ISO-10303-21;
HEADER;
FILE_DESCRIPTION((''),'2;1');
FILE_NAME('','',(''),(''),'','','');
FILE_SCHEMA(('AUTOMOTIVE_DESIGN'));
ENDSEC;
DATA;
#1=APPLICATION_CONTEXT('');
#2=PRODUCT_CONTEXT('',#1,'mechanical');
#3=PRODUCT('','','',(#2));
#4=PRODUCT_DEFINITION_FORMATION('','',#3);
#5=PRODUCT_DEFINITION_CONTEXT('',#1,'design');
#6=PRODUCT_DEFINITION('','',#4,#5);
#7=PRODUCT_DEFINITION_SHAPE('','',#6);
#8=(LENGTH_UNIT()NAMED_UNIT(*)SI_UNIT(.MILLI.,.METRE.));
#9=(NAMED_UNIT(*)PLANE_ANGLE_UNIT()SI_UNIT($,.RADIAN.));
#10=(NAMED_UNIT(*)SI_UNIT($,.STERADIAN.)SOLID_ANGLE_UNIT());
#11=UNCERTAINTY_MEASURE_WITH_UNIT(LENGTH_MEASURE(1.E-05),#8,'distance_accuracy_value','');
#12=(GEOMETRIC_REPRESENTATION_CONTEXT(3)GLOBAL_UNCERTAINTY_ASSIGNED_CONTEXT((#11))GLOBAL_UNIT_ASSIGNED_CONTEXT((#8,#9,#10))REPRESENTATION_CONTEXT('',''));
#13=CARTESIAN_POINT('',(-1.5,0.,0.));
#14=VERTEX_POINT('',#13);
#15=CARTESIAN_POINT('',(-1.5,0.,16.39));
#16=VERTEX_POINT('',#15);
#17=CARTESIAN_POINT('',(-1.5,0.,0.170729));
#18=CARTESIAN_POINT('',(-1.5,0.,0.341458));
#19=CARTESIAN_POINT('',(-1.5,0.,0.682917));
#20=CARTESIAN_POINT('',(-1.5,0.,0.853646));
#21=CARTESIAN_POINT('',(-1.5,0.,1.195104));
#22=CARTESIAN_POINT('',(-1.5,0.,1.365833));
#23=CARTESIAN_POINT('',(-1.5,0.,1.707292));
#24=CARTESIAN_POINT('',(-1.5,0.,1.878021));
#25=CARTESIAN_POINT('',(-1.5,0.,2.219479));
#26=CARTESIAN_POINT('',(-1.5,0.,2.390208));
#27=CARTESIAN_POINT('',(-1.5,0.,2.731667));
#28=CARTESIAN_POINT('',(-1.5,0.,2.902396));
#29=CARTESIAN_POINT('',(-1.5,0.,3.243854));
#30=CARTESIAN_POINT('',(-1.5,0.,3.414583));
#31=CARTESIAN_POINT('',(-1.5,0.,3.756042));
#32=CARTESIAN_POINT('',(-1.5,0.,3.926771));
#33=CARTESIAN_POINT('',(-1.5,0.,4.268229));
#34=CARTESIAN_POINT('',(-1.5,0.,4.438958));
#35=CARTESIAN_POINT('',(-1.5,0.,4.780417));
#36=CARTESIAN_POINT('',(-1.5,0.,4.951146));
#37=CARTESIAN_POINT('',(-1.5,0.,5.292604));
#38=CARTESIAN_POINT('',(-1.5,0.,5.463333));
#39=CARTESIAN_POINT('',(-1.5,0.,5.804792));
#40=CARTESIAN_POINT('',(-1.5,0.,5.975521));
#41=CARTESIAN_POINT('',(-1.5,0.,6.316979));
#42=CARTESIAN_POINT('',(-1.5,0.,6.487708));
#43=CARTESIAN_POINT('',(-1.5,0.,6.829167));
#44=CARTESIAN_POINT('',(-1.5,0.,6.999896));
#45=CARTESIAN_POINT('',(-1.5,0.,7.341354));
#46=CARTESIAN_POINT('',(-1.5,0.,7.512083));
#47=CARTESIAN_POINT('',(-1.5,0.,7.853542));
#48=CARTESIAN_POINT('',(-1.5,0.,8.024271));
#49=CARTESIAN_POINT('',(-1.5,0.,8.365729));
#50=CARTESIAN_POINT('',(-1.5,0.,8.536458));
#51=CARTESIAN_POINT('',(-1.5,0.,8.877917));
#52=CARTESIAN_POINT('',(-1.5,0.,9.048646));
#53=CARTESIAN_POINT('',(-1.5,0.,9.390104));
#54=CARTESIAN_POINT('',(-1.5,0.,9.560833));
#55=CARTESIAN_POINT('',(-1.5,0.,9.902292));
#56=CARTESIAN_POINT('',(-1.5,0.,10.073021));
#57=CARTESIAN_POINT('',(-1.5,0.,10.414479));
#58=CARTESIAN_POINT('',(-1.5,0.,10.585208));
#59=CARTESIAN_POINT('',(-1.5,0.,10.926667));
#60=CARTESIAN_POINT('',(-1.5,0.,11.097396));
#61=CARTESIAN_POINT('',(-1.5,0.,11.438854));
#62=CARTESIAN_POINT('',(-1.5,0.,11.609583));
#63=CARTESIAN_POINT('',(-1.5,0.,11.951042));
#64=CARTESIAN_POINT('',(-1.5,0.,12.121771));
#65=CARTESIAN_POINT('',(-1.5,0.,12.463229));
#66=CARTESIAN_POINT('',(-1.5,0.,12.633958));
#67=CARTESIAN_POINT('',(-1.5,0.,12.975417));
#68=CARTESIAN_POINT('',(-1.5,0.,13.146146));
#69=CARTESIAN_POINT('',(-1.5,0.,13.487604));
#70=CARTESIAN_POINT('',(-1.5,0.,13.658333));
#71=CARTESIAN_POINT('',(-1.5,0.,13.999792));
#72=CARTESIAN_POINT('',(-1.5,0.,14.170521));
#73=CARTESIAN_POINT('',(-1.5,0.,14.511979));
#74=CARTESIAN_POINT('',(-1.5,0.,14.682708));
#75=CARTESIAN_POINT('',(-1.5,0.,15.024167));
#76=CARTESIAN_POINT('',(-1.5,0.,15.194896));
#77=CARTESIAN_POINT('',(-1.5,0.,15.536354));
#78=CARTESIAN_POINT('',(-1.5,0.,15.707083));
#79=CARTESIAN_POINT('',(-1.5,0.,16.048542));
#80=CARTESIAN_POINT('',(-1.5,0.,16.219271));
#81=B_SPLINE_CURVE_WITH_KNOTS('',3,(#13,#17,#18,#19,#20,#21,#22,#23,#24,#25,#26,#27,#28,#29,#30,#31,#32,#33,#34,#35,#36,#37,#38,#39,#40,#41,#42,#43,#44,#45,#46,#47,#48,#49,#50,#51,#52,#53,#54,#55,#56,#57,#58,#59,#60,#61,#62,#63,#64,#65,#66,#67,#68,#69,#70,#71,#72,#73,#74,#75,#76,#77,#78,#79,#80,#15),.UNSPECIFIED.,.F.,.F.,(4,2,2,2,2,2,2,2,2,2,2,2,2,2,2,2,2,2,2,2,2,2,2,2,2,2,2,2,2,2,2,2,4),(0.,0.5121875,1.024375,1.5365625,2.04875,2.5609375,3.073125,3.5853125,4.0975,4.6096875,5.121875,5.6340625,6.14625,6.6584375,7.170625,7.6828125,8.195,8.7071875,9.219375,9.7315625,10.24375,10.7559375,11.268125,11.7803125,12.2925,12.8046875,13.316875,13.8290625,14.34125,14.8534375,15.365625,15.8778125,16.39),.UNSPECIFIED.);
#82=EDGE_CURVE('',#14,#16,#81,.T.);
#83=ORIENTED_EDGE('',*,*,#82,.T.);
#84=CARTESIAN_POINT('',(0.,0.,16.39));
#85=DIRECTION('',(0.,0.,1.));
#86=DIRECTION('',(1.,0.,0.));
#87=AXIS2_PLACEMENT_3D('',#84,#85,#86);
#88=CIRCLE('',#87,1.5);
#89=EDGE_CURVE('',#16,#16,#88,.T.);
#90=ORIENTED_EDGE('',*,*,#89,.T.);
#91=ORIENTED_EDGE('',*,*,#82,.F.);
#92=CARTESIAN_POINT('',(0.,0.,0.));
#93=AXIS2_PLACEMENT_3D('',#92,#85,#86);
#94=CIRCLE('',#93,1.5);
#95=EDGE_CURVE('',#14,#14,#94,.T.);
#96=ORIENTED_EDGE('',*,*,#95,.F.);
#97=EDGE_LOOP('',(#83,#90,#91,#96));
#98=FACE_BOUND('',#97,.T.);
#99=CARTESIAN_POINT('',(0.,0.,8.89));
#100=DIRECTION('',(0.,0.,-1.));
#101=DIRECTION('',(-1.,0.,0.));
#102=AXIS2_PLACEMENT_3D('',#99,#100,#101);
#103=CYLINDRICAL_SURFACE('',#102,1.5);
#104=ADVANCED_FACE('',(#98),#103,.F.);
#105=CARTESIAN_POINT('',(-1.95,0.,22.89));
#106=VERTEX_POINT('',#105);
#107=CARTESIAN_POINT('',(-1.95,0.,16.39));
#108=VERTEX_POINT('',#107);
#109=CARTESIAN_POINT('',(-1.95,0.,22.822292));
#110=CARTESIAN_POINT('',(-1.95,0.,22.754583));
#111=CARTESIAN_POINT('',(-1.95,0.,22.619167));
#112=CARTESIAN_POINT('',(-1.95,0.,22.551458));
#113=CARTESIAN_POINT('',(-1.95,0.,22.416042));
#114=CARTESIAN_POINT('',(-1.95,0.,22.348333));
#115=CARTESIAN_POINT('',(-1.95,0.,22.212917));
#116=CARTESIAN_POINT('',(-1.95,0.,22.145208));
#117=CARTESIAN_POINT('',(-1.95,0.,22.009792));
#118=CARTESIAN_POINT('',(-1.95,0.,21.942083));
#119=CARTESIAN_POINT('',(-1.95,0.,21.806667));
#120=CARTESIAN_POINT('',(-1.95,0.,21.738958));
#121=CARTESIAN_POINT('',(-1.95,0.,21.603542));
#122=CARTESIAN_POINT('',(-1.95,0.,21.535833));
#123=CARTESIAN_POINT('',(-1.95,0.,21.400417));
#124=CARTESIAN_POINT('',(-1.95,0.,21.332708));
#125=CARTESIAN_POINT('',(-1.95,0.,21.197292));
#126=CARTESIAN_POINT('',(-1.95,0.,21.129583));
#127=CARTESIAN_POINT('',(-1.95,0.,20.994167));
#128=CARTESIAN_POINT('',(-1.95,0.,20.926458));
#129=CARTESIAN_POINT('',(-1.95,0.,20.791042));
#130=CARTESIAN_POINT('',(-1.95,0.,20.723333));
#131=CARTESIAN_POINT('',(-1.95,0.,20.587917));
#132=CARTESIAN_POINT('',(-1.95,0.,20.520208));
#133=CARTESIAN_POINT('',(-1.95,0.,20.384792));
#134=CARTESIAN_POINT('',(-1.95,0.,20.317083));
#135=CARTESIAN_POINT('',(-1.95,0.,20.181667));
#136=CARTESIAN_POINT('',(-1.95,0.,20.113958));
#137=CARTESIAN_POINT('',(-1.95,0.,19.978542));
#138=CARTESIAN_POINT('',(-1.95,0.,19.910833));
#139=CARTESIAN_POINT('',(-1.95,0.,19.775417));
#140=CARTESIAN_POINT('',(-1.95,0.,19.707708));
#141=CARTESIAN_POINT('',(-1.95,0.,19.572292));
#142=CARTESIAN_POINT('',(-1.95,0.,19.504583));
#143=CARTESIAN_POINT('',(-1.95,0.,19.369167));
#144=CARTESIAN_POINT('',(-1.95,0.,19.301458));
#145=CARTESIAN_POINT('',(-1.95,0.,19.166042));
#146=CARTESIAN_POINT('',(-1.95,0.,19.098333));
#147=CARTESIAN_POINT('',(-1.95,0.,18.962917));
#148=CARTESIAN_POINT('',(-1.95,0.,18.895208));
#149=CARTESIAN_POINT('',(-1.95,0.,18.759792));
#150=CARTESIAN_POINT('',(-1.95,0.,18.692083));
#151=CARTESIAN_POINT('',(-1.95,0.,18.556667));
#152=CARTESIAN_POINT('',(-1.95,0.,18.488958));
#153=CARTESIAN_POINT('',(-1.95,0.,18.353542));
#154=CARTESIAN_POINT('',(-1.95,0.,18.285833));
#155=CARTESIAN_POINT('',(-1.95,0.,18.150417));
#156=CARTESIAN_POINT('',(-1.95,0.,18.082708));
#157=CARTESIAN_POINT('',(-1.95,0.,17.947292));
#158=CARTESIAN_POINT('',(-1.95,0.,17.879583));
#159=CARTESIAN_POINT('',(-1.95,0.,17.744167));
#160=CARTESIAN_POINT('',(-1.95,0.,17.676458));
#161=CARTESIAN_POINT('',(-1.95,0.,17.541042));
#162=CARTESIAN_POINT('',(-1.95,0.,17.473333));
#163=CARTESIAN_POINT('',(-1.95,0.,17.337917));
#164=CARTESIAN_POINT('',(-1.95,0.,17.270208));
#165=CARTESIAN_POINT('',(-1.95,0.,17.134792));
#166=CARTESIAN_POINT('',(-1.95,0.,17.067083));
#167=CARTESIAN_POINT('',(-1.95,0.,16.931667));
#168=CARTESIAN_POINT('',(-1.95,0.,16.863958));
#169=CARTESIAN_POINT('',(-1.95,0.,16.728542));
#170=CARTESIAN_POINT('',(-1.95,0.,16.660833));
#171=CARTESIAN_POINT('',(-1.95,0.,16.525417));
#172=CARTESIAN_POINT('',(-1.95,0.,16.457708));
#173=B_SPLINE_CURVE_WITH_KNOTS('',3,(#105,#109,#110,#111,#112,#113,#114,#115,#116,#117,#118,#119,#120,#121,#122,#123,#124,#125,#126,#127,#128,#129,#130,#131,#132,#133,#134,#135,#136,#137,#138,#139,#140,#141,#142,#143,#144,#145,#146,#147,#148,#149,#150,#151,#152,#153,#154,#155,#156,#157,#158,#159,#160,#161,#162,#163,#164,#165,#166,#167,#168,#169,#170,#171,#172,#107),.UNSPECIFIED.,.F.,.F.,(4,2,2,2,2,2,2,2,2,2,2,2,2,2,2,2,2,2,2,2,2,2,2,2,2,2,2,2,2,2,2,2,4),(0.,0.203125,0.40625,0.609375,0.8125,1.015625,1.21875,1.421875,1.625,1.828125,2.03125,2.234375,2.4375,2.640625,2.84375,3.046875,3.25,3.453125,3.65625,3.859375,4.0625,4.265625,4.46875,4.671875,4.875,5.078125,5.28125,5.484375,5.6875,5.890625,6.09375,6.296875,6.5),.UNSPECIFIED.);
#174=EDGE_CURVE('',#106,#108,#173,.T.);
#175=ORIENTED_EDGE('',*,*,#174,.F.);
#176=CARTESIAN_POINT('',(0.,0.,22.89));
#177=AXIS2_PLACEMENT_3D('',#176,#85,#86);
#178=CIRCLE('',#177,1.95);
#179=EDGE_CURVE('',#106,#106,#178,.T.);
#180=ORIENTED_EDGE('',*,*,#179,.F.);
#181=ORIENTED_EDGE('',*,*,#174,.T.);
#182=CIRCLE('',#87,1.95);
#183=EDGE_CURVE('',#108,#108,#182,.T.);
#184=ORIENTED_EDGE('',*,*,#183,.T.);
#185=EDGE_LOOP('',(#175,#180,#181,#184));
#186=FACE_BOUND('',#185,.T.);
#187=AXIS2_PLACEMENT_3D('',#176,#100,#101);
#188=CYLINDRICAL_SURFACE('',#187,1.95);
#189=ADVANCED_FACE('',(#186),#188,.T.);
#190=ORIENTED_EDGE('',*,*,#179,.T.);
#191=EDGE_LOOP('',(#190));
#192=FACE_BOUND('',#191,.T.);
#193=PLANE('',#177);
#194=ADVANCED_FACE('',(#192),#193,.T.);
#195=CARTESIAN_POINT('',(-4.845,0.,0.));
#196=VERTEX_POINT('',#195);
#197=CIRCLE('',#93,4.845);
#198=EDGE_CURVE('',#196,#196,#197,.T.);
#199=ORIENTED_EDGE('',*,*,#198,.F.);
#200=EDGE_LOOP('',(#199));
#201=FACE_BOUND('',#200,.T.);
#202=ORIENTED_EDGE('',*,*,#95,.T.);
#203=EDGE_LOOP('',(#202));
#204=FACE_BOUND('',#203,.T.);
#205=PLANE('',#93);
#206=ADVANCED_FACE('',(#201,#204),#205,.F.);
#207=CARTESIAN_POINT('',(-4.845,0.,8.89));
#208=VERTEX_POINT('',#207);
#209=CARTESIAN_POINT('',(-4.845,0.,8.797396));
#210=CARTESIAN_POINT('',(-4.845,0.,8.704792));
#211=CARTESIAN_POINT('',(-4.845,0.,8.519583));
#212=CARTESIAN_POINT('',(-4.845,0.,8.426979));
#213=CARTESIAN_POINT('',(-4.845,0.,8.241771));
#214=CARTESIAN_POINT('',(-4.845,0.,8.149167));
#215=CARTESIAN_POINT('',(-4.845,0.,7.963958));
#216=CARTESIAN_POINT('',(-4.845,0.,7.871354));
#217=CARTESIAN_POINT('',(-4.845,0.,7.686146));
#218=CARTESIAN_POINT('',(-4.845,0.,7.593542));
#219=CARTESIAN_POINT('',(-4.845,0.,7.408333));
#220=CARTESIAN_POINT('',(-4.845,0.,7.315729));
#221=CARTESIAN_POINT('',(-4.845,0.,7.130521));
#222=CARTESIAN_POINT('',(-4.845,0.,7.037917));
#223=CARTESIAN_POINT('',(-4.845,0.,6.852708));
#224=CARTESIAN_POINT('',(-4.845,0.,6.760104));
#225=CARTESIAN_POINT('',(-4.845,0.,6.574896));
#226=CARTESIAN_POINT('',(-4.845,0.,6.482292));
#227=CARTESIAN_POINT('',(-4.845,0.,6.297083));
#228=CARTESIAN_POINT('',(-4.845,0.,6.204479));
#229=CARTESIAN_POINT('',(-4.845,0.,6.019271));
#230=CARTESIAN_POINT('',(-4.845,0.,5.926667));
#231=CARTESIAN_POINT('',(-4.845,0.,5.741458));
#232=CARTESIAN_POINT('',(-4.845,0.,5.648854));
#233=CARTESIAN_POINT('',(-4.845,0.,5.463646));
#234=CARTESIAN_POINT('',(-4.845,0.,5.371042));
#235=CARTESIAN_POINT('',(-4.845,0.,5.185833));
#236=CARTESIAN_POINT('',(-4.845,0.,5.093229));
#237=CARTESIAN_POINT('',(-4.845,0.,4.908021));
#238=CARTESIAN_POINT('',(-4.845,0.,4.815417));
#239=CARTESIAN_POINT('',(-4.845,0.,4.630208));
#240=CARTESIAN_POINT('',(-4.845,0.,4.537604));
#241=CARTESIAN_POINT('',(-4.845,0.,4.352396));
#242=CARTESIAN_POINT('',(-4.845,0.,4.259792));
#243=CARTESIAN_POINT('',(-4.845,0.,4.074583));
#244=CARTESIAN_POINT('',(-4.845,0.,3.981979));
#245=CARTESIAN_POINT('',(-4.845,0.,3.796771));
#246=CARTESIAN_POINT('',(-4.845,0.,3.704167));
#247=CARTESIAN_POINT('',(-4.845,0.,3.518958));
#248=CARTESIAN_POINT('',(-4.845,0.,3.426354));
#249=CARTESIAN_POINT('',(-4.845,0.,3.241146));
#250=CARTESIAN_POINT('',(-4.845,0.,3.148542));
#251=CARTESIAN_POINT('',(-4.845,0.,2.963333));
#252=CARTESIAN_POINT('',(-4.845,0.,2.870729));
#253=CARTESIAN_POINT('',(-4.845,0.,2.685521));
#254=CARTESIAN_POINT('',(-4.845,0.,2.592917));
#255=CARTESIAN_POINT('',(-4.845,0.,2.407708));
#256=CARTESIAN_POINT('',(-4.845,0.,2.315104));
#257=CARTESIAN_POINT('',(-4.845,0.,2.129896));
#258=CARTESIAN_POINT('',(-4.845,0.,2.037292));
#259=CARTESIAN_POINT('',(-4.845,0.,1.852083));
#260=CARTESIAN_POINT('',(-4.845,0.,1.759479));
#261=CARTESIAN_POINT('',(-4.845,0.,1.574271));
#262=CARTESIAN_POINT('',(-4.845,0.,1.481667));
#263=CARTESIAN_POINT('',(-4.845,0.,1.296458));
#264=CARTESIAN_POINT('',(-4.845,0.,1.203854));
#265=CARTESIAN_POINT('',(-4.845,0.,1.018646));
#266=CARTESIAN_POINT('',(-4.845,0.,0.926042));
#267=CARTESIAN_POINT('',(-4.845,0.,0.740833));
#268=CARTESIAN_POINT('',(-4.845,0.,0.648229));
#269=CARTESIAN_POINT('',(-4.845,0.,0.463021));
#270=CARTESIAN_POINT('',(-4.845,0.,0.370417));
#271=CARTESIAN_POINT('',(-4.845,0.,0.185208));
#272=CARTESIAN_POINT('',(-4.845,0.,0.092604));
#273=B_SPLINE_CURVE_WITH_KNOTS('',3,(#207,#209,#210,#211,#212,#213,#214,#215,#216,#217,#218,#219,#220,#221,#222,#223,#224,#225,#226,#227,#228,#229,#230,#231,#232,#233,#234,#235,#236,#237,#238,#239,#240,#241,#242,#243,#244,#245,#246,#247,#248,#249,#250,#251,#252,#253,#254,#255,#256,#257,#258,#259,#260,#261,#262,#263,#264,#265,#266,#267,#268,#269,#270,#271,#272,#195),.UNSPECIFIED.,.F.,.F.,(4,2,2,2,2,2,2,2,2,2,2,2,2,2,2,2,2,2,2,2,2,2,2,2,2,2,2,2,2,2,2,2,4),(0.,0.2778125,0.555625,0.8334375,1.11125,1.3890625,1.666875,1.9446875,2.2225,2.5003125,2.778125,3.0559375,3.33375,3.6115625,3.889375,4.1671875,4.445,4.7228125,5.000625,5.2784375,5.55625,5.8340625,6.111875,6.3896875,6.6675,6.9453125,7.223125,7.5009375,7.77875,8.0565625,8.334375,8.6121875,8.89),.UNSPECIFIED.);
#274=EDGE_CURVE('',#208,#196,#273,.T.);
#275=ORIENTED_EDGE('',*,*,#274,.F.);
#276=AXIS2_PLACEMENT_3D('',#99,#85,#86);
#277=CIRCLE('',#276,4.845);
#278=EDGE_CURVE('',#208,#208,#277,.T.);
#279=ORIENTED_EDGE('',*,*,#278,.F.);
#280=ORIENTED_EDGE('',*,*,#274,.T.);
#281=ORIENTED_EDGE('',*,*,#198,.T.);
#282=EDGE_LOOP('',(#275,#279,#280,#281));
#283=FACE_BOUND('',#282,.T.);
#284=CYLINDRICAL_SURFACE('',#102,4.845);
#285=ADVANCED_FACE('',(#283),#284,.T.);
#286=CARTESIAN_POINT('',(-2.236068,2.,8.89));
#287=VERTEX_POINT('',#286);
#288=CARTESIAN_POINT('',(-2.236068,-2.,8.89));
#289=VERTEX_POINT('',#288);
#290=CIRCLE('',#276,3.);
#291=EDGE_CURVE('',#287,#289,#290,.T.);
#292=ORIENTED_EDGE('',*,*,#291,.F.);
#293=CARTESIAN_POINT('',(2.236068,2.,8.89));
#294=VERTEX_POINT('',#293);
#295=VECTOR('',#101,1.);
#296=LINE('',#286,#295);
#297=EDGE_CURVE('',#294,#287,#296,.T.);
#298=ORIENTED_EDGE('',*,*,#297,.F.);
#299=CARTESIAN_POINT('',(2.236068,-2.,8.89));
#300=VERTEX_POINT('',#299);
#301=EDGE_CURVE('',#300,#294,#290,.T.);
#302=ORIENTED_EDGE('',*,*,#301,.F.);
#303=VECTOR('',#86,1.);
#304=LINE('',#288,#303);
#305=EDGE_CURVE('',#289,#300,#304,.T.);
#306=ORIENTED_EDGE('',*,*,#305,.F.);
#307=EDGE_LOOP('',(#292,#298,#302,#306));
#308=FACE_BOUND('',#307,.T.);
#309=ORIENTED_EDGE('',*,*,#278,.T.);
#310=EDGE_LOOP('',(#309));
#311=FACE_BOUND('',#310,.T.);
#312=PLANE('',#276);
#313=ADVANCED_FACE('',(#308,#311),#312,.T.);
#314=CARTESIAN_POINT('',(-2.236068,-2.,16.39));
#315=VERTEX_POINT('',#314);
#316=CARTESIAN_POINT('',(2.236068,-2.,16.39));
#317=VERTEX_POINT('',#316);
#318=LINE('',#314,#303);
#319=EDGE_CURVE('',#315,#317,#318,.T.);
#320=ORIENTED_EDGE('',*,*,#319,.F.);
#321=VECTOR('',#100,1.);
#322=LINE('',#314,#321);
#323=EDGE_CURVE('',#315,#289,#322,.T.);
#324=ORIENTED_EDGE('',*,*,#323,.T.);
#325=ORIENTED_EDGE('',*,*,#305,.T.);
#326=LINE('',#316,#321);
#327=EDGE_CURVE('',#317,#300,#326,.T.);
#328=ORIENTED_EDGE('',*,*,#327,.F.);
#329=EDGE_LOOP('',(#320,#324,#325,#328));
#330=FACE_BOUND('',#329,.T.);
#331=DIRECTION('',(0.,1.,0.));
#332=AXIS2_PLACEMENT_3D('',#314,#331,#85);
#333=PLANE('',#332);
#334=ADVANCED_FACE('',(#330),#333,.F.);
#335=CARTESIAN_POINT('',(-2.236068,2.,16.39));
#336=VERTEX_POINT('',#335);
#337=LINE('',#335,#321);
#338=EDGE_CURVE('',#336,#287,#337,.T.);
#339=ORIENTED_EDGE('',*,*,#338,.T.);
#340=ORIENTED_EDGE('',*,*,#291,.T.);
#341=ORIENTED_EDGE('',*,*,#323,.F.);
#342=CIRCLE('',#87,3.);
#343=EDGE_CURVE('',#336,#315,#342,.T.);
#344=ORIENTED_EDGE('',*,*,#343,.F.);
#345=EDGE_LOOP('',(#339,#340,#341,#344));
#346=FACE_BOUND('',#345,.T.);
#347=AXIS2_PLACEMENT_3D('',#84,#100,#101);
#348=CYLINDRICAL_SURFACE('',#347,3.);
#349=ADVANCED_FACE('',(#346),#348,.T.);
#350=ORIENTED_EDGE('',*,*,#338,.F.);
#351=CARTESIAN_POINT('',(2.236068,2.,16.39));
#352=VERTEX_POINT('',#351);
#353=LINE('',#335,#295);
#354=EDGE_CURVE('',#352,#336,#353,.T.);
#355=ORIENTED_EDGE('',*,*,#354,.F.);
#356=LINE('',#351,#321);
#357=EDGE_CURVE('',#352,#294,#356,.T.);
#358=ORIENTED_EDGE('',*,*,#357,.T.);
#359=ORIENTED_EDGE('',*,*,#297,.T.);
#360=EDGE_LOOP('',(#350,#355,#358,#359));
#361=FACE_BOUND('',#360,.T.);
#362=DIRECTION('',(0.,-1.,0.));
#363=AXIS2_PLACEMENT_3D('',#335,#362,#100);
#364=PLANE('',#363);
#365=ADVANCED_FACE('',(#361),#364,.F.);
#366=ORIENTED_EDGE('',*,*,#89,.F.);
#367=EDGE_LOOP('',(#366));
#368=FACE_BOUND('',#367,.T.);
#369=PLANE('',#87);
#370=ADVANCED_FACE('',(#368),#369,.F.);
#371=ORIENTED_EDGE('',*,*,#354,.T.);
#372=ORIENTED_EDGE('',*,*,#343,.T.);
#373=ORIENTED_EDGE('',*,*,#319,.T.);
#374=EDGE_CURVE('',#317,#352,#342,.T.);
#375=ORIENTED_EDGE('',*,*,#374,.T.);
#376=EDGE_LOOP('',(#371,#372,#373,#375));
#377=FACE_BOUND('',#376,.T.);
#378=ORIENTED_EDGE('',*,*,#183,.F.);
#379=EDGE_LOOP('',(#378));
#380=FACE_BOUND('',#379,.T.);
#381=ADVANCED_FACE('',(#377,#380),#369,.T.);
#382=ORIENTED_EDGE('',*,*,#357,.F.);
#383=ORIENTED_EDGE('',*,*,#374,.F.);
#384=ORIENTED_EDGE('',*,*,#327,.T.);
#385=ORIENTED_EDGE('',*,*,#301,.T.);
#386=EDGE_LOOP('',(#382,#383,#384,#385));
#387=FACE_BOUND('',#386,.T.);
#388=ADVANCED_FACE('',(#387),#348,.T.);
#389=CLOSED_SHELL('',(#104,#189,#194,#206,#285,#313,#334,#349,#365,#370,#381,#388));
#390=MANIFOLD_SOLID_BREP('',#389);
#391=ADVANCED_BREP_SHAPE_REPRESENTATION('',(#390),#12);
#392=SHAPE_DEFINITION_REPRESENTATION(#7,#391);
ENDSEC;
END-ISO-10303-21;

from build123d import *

# Parameters (mm, degrees)
SKETCH1_R           = 4.845
SKETCH1_R_2         = 1.5
BOSS_EXTRUDE1_DEPTH = 8.89
SKETCH2_R           = 1.5
BOSS_EXTRUDE2_DEPTH = 7.5
SKETCH3_R           = 1.95
BOSS_EXTRUDE3_DEPTH = 6.5


with BuildPart() as part:
    # Sketch1 → Boss-Extrude1 (new body)
    with BuildSketch(Plane.XY):
        with Locations(Location((0, 0, 0), (0, 0, 180))):
            Circle(SKETCH1_R)
        with Locations(Location((0, 0, 0), (0, 0, 180))):
            Circle(SKETCH1_R_2, mode=Mode.SUBTRACT)
    extrude(amount=BOSS_EXTRUDE1_DEPTH)

    # Sketch2 → Boss-Extrude2 (add)
    with BuildSketch(Plane.XY.offset(8.89)):
        with BuildLine():
            Line((-2.236067977, 2), (2.236067977, 2))
            ThreePointArc((2.236067977, 2), (3, 0), (2.236067977, -2))
            Line((2.236067977, -2), (-2.236067977, -2))
            ThreePointArc((-2.236067977, -2), (-3, 0), (-2.236067977, 2))
        make_face()
        with Locations(Location((0, 0, 0), (0, 0, 180))):
            Circle(SKETCH2_R, mode=Mode.SUBTRACT)
    extrude(amount=BOSS_EXTRUDE2_DEPTH)

    # Sketch3 → Boss-Extrude3 (add)
    with BuildSketch(Plane.XY.offset(16.39)):
        with Locations(Location((0, 0, 0), (0, 0, 180))):
            Circle(SKETCH3_R)
    extrude(amount=BOSS_EXTRUDE3_DEPTH)


solid = part.part
